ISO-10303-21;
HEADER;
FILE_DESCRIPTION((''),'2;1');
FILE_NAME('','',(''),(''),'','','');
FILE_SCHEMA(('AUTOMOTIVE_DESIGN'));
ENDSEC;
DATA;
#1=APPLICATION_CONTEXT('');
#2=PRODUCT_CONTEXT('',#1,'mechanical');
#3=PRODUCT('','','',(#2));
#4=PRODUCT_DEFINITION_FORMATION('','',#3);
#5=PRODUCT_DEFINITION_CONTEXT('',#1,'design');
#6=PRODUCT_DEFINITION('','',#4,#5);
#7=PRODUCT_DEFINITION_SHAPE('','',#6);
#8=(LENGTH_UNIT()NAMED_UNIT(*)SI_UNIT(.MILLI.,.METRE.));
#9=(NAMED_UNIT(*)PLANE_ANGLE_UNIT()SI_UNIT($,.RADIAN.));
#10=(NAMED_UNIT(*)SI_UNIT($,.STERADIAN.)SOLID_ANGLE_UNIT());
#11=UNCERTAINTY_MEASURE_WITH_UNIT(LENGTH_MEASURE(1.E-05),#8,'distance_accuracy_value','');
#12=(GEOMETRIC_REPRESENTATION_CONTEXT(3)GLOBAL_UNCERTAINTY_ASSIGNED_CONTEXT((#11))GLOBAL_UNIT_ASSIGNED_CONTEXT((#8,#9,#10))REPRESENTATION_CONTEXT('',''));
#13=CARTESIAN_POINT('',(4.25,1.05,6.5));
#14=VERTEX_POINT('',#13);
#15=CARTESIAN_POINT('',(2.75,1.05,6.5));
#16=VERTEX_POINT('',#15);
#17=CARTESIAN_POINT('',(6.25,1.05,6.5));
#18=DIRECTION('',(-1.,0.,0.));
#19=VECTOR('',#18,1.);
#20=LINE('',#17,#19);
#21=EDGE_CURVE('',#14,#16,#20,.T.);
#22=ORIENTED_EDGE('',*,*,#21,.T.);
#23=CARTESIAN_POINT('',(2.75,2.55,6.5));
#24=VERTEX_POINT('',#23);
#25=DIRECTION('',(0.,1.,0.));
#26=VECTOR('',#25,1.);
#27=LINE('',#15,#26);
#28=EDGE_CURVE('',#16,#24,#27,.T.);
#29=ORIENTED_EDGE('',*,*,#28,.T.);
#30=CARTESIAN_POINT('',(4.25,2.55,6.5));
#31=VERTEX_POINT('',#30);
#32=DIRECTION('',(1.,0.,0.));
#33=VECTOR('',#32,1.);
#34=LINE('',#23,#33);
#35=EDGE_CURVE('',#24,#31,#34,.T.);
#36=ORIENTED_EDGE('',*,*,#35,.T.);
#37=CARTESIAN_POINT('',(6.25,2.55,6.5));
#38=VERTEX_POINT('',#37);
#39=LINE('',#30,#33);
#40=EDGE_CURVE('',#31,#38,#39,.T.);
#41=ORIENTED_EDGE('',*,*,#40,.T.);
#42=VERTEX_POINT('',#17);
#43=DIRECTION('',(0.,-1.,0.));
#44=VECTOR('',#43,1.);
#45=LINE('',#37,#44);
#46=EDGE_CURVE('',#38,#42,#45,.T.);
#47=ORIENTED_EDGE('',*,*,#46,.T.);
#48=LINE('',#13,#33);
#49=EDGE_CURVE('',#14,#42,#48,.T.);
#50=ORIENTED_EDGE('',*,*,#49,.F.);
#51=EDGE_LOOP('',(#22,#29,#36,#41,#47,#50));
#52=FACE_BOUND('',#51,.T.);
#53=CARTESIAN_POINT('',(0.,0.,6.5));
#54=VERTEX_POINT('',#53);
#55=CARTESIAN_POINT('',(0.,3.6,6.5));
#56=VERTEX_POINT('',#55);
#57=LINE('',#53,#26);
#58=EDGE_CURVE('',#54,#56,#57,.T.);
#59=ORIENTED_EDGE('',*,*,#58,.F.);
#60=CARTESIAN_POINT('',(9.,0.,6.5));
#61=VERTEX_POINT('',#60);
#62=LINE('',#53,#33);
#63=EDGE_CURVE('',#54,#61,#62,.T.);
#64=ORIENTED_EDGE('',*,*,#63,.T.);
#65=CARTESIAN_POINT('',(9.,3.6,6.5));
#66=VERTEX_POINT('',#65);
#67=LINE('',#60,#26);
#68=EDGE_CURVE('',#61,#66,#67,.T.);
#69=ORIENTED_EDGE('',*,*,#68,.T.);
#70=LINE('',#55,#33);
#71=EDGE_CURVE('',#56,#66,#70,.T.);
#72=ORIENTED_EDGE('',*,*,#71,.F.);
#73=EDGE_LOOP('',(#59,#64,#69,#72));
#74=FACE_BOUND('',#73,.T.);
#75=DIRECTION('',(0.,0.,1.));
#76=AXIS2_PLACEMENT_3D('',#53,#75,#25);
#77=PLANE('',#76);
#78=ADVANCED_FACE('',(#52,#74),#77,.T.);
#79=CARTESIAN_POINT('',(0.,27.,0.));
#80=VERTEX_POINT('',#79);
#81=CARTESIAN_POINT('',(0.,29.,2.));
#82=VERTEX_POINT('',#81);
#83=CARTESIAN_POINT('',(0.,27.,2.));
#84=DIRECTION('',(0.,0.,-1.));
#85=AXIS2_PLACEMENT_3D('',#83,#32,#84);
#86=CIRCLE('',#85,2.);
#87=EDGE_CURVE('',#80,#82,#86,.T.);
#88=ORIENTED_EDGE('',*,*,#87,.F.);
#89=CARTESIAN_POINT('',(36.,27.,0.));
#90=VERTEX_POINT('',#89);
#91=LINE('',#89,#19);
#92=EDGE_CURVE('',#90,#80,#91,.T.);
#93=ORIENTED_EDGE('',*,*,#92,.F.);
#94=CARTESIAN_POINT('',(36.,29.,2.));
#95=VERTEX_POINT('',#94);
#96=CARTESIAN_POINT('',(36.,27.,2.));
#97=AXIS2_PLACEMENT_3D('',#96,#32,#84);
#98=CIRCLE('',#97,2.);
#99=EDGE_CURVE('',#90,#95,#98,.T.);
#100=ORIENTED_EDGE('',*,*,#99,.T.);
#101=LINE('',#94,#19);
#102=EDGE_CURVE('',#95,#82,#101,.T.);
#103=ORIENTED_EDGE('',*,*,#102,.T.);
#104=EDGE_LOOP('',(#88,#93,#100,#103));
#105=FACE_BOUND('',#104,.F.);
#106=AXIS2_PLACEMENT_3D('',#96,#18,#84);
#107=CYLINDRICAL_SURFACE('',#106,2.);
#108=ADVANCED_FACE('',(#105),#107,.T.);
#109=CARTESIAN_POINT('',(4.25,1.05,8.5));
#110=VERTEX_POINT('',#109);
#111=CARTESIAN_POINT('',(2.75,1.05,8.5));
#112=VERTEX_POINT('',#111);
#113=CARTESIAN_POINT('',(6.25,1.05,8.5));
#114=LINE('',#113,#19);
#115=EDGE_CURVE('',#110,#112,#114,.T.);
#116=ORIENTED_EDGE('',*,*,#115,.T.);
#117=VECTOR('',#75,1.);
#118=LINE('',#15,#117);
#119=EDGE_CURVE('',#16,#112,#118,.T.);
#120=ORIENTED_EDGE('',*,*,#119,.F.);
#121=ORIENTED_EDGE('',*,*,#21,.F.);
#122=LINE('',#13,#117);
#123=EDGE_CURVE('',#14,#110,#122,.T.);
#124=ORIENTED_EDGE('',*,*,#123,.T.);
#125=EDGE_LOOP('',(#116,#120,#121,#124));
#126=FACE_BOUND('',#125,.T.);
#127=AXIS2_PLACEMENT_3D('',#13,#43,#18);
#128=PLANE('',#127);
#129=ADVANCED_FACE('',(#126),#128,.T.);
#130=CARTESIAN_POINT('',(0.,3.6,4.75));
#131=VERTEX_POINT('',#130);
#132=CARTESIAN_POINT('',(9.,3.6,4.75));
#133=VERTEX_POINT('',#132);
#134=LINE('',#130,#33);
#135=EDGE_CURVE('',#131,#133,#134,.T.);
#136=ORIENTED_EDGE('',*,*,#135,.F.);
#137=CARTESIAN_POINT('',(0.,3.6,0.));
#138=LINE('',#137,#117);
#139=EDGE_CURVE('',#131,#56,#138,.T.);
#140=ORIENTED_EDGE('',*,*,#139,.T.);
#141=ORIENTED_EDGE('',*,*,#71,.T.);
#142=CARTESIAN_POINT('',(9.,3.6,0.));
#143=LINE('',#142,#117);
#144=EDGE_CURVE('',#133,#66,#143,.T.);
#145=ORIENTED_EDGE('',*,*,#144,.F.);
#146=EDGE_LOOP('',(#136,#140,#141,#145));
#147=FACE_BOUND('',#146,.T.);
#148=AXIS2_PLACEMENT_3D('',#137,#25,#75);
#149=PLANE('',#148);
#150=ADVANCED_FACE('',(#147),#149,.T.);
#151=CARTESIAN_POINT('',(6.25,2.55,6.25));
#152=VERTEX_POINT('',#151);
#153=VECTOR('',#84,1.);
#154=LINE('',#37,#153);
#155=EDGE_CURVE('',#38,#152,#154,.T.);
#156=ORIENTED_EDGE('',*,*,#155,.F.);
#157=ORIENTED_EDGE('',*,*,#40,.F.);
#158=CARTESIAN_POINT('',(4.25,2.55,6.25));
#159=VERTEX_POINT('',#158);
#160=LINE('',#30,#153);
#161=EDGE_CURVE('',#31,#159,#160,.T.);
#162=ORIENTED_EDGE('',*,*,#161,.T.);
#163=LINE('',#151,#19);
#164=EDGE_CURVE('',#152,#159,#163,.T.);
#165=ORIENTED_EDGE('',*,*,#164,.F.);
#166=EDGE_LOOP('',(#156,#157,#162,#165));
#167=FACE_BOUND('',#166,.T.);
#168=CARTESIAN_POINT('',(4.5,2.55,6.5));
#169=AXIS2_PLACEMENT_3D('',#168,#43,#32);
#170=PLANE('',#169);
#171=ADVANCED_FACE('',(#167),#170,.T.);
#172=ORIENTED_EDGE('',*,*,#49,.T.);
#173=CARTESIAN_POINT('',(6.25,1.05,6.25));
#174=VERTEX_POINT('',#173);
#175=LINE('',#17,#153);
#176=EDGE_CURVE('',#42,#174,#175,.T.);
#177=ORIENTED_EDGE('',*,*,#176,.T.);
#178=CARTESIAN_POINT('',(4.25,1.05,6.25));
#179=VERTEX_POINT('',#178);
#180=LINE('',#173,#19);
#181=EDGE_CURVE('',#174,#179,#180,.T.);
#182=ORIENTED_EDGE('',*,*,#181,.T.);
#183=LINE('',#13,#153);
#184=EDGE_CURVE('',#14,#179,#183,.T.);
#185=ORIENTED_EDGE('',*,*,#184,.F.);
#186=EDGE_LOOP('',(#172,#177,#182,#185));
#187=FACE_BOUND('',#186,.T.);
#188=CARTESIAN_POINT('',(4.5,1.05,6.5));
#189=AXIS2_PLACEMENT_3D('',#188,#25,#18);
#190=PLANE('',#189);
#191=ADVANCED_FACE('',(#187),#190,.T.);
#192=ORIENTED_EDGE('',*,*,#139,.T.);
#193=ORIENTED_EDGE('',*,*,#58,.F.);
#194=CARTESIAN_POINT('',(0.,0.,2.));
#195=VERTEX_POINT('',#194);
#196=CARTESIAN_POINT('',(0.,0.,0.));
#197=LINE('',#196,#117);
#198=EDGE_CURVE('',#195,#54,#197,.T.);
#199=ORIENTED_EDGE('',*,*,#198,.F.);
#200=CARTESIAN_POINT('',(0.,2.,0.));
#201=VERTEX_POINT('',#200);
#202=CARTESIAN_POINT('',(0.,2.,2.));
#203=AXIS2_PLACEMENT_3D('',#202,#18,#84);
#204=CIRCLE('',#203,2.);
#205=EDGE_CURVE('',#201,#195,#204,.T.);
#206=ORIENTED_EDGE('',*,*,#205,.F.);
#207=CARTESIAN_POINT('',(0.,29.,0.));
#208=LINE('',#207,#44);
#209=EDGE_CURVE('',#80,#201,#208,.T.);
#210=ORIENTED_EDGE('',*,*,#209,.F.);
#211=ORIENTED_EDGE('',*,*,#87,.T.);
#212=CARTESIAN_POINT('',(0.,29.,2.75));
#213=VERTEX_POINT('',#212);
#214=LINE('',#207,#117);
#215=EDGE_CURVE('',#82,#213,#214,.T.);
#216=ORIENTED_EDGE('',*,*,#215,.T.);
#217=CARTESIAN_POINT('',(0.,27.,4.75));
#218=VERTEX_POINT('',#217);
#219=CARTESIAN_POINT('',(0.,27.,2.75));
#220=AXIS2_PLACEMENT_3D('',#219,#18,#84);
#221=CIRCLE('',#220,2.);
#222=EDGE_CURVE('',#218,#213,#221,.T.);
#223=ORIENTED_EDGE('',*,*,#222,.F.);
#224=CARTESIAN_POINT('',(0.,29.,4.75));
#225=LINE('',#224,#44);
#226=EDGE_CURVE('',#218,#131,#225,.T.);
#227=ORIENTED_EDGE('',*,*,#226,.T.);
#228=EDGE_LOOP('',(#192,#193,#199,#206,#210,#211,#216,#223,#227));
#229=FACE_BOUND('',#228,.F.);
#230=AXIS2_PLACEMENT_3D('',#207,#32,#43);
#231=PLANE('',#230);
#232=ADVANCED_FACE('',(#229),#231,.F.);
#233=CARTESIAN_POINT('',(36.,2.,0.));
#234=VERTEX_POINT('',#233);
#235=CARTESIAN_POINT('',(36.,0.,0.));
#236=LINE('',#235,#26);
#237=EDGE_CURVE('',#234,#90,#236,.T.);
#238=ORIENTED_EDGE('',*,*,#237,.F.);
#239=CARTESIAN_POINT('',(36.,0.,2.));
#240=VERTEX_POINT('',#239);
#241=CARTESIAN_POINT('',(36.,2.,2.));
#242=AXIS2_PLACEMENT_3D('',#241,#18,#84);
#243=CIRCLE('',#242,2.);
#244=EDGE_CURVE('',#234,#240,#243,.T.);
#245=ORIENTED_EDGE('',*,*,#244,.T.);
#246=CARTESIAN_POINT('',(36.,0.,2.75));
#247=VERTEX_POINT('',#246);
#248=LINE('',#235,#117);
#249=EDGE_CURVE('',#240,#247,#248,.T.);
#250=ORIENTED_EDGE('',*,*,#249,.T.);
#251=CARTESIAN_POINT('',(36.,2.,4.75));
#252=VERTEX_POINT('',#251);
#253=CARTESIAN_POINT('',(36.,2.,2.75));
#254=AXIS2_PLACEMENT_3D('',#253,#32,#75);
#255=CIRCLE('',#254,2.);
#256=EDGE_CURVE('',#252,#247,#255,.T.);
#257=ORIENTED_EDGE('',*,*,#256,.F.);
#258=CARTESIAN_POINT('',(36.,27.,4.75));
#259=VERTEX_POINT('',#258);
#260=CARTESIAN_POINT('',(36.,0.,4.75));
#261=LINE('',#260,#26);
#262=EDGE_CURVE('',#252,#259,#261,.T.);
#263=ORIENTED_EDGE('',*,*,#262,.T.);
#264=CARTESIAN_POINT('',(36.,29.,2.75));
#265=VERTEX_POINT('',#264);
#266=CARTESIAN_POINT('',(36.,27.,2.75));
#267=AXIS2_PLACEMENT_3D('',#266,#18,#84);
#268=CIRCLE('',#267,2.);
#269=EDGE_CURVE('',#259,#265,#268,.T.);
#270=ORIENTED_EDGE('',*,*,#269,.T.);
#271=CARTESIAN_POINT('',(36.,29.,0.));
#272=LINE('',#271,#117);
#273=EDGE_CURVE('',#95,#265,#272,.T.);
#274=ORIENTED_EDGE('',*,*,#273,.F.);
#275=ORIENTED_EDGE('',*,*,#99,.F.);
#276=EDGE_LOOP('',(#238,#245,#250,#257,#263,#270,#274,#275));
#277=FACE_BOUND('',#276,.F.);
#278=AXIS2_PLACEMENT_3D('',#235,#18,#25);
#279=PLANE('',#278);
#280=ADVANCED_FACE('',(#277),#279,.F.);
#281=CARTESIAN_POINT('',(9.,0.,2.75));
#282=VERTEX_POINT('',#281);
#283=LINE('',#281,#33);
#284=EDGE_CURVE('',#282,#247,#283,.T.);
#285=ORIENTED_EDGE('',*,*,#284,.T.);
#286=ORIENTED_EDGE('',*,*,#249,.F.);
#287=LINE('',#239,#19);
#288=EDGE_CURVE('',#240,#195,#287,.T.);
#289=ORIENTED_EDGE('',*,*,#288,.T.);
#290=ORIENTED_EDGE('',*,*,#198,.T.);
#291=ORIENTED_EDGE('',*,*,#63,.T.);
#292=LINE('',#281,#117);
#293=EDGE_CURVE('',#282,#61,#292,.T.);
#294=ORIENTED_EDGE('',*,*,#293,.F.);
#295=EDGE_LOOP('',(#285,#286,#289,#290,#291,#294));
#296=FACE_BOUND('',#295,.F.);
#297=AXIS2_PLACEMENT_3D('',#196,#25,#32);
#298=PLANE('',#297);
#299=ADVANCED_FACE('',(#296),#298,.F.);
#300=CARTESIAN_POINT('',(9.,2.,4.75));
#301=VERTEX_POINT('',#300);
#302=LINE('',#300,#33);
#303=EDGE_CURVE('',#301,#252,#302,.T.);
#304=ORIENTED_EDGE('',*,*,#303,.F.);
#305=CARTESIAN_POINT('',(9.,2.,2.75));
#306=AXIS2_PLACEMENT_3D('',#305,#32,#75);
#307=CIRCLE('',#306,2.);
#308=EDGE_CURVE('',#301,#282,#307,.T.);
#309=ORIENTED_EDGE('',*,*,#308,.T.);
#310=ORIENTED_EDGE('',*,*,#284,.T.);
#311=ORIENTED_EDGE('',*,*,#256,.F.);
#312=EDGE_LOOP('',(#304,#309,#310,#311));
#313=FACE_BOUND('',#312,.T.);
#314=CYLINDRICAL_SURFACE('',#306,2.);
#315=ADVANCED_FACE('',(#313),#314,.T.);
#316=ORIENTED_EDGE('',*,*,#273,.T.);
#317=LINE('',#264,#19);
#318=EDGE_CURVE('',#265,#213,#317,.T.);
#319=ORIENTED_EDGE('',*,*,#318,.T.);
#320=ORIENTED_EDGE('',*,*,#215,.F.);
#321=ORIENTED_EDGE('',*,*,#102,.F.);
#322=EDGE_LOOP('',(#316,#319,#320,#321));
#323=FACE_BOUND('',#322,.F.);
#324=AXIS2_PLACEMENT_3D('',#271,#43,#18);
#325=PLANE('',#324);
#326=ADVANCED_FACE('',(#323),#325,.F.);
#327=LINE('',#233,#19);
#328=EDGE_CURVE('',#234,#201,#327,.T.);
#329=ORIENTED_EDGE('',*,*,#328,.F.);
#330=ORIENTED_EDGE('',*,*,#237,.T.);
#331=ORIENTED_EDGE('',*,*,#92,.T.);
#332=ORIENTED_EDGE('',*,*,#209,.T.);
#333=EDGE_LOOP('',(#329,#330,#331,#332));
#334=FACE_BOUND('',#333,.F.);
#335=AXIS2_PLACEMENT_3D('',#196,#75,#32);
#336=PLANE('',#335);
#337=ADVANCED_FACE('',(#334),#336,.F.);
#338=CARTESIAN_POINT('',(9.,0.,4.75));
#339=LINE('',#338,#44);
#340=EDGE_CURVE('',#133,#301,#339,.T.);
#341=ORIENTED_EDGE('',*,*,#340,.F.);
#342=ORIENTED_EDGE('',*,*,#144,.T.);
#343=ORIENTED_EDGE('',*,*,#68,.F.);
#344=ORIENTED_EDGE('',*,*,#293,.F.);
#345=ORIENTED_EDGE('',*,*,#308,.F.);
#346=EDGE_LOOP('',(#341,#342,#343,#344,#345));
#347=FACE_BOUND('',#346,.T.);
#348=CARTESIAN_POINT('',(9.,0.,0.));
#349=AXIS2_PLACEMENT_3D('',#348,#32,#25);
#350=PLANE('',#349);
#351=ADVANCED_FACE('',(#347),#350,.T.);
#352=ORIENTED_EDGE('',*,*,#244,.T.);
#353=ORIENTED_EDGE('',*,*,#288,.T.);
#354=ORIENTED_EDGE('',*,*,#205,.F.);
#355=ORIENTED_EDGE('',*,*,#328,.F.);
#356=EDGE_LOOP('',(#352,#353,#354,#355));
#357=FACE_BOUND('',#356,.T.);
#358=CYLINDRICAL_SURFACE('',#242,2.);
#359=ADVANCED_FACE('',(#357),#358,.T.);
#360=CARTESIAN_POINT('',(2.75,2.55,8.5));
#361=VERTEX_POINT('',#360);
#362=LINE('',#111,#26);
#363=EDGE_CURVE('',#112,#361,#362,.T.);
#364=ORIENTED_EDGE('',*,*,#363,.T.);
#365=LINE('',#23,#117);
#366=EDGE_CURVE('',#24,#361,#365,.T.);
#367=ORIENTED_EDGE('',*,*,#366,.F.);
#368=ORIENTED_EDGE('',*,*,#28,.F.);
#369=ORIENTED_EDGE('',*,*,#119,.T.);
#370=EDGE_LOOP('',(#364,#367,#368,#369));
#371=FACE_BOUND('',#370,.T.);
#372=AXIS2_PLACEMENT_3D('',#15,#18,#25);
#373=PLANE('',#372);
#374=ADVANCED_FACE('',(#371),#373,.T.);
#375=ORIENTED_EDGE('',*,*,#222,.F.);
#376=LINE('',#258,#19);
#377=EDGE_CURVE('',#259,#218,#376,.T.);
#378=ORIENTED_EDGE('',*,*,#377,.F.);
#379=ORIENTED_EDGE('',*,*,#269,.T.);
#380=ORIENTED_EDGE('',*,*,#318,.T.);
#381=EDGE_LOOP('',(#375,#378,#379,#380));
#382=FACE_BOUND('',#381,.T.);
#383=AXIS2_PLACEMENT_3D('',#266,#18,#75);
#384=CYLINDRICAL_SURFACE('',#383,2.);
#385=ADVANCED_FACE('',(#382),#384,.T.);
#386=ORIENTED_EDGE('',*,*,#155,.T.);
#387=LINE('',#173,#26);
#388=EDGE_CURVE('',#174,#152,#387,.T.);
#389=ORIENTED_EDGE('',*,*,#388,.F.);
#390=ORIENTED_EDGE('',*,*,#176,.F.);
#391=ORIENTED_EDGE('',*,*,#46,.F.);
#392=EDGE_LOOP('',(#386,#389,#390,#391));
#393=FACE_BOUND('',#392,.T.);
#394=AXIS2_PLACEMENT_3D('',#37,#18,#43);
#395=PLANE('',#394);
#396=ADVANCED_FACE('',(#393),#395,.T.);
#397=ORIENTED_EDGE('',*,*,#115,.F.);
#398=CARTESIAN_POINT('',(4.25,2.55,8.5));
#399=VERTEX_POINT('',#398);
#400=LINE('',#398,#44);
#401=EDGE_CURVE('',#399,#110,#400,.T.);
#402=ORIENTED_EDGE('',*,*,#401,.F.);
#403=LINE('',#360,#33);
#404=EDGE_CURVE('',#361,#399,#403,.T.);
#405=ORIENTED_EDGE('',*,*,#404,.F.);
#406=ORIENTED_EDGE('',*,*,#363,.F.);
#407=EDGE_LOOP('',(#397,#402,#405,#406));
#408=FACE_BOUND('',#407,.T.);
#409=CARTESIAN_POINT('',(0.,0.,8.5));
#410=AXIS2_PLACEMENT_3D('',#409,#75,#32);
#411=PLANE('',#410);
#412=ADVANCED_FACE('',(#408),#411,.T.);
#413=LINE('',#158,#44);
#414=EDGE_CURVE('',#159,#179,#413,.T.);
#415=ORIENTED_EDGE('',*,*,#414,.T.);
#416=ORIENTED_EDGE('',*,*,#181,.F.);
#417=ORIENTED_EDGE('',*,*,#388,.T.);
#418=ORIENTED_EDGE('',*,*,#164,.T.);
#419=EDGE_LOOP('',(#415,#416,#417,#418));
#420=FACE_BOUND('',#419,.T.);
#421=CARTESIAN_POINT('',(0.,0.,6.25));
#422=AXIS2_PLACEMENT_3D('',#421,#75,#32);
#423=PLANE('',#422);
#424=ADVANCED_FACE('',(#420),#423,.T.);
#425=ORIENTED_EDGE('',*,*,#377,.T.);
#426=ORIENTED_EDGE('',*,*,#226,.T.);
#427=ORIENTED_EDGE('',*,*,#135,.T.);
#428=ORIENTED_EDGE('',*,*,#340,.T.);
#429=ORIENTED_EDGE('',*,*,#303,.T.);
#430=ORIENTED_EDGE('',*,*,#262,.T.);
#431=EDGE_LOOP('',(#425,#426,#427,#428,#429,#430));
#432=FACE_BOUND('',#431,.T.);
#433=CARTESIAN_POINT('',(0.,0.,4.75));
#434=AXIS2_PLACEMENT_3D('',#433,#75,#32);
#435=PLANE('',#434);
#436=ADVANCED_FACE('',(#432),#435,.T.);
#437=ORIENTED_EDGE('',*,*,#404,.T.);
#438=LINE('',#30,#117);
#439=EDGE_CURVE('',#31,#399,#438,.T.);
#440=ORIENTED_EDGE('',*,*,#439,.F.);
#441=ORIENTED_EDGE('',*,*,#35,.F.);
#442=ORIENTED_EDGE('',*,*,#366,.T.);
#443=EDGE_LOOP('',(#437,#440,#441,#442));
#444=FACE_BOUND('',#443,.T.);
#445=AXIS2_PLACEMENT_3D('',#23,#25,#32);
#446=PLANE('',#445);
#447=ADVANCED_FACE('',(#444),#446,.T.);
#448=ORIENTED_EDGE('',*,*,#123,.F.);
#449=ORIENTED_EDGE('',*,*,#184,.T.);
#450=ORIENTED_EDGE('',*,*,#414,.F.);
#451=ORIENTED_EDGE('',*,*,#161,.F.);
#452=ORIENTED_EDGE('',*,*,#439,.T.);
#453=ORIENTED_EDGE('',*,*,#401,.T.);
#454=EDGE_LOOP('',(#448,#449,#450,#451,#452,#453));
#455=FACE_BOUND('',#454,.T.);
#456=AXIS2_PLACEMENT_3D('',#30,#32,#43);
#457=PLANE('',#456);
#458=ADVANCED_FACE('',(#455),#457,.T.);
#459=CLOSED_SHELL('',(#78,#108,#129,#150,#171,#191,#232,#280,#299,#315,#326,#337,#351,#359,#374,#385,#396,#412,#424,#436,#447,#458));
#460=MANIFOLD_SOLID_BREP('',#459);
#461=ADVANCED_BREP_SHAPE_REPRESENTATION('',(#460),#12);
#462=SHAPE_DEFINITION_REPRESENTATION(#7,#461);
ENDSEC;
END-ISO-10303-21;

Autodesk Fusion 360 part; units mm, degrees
sketch "Sketch1" plane through (0, 0, 0) normal (0, 1, 0) x (1, 0, 0)
box "BoxPrimitive1" add length 6.5 width 9 height 3.6 placed x (0, 0, 1) y (1, 0, 0) z (0, 1, 0) at (0, 0, 0)
sketch "Sketch2" plane through (0, 0, 6.5) normal (0, 0, 1) x (1, 0, 0)
  line L0 (0, 3.6) -> (0, 0)
  line L1 (0, 0) -> (9, 0)
  line L2 (9, 0) -> (9, 3.6)
  line L3 (9, 3.6) -> (0, 3.6)
  line L4 (4.5, 3.6) -> (4.5, 0)
  line L5 (4.5, 1.8) -> (6.25, 1.8)
  line L6 (6.25, 1.8) -> (6.25, 1.05)
  line L7 (6.25, 1.05) -> (2.75, 1.05)
  line L8 (2.75, 1.05) -> (2.75, 2.55)
  line L9 (2.75, 2.55) -> (6.25, 2.55)
  line L10 (6.25, 2.55) -> (6.25, 1.8)
  line L11 (2.75, 2.55) -> (4.25, 2.55)
  line L12 (4.25, 2.55) -> (4.25, 1.05)
  dimension "d6" = 1.75
  dimension "d7" = 0.75
  dimension "d8" = 3.5
  dimension "d9" = 1.5
  dimension "d10" = 3.5
  dimension "d11" = 1.5
extrude "Extrude1" add sketch "Sketch2" along normal blind 2 contours L7 L8 L9 L11 L12
extrude "Extrude2" cut sketch "Sketch2" against normal blind 0.25 contours L4 L5 L9 L10 | L4 L7 L9 L12 | L4 L5 L6 L7

Autodesk Fusion 360 part; units mm, degrees
sketch "Sketch1" plane through (0, 0, 0) normal (0, 0, 1) x (1, 0, 0)
  line L0 (0, 0) -> (36, 0)
  line L1 (36, 0) -> (36, 29)
  line L2 (36, 29) -> (0, 29)
  line L3 (0, 29) -> (0, 0)
  dimension "d1" = 36
  dimension "d2" = 29
extrude "Extrude1" add sketch "Sketch1" along normal blind 4.75
fillet "Fillet1" radius 2 4 edges at (18, 0, 4.75) (18, 0, 0) (18, 29, 4.75) (18, 29, 0)
